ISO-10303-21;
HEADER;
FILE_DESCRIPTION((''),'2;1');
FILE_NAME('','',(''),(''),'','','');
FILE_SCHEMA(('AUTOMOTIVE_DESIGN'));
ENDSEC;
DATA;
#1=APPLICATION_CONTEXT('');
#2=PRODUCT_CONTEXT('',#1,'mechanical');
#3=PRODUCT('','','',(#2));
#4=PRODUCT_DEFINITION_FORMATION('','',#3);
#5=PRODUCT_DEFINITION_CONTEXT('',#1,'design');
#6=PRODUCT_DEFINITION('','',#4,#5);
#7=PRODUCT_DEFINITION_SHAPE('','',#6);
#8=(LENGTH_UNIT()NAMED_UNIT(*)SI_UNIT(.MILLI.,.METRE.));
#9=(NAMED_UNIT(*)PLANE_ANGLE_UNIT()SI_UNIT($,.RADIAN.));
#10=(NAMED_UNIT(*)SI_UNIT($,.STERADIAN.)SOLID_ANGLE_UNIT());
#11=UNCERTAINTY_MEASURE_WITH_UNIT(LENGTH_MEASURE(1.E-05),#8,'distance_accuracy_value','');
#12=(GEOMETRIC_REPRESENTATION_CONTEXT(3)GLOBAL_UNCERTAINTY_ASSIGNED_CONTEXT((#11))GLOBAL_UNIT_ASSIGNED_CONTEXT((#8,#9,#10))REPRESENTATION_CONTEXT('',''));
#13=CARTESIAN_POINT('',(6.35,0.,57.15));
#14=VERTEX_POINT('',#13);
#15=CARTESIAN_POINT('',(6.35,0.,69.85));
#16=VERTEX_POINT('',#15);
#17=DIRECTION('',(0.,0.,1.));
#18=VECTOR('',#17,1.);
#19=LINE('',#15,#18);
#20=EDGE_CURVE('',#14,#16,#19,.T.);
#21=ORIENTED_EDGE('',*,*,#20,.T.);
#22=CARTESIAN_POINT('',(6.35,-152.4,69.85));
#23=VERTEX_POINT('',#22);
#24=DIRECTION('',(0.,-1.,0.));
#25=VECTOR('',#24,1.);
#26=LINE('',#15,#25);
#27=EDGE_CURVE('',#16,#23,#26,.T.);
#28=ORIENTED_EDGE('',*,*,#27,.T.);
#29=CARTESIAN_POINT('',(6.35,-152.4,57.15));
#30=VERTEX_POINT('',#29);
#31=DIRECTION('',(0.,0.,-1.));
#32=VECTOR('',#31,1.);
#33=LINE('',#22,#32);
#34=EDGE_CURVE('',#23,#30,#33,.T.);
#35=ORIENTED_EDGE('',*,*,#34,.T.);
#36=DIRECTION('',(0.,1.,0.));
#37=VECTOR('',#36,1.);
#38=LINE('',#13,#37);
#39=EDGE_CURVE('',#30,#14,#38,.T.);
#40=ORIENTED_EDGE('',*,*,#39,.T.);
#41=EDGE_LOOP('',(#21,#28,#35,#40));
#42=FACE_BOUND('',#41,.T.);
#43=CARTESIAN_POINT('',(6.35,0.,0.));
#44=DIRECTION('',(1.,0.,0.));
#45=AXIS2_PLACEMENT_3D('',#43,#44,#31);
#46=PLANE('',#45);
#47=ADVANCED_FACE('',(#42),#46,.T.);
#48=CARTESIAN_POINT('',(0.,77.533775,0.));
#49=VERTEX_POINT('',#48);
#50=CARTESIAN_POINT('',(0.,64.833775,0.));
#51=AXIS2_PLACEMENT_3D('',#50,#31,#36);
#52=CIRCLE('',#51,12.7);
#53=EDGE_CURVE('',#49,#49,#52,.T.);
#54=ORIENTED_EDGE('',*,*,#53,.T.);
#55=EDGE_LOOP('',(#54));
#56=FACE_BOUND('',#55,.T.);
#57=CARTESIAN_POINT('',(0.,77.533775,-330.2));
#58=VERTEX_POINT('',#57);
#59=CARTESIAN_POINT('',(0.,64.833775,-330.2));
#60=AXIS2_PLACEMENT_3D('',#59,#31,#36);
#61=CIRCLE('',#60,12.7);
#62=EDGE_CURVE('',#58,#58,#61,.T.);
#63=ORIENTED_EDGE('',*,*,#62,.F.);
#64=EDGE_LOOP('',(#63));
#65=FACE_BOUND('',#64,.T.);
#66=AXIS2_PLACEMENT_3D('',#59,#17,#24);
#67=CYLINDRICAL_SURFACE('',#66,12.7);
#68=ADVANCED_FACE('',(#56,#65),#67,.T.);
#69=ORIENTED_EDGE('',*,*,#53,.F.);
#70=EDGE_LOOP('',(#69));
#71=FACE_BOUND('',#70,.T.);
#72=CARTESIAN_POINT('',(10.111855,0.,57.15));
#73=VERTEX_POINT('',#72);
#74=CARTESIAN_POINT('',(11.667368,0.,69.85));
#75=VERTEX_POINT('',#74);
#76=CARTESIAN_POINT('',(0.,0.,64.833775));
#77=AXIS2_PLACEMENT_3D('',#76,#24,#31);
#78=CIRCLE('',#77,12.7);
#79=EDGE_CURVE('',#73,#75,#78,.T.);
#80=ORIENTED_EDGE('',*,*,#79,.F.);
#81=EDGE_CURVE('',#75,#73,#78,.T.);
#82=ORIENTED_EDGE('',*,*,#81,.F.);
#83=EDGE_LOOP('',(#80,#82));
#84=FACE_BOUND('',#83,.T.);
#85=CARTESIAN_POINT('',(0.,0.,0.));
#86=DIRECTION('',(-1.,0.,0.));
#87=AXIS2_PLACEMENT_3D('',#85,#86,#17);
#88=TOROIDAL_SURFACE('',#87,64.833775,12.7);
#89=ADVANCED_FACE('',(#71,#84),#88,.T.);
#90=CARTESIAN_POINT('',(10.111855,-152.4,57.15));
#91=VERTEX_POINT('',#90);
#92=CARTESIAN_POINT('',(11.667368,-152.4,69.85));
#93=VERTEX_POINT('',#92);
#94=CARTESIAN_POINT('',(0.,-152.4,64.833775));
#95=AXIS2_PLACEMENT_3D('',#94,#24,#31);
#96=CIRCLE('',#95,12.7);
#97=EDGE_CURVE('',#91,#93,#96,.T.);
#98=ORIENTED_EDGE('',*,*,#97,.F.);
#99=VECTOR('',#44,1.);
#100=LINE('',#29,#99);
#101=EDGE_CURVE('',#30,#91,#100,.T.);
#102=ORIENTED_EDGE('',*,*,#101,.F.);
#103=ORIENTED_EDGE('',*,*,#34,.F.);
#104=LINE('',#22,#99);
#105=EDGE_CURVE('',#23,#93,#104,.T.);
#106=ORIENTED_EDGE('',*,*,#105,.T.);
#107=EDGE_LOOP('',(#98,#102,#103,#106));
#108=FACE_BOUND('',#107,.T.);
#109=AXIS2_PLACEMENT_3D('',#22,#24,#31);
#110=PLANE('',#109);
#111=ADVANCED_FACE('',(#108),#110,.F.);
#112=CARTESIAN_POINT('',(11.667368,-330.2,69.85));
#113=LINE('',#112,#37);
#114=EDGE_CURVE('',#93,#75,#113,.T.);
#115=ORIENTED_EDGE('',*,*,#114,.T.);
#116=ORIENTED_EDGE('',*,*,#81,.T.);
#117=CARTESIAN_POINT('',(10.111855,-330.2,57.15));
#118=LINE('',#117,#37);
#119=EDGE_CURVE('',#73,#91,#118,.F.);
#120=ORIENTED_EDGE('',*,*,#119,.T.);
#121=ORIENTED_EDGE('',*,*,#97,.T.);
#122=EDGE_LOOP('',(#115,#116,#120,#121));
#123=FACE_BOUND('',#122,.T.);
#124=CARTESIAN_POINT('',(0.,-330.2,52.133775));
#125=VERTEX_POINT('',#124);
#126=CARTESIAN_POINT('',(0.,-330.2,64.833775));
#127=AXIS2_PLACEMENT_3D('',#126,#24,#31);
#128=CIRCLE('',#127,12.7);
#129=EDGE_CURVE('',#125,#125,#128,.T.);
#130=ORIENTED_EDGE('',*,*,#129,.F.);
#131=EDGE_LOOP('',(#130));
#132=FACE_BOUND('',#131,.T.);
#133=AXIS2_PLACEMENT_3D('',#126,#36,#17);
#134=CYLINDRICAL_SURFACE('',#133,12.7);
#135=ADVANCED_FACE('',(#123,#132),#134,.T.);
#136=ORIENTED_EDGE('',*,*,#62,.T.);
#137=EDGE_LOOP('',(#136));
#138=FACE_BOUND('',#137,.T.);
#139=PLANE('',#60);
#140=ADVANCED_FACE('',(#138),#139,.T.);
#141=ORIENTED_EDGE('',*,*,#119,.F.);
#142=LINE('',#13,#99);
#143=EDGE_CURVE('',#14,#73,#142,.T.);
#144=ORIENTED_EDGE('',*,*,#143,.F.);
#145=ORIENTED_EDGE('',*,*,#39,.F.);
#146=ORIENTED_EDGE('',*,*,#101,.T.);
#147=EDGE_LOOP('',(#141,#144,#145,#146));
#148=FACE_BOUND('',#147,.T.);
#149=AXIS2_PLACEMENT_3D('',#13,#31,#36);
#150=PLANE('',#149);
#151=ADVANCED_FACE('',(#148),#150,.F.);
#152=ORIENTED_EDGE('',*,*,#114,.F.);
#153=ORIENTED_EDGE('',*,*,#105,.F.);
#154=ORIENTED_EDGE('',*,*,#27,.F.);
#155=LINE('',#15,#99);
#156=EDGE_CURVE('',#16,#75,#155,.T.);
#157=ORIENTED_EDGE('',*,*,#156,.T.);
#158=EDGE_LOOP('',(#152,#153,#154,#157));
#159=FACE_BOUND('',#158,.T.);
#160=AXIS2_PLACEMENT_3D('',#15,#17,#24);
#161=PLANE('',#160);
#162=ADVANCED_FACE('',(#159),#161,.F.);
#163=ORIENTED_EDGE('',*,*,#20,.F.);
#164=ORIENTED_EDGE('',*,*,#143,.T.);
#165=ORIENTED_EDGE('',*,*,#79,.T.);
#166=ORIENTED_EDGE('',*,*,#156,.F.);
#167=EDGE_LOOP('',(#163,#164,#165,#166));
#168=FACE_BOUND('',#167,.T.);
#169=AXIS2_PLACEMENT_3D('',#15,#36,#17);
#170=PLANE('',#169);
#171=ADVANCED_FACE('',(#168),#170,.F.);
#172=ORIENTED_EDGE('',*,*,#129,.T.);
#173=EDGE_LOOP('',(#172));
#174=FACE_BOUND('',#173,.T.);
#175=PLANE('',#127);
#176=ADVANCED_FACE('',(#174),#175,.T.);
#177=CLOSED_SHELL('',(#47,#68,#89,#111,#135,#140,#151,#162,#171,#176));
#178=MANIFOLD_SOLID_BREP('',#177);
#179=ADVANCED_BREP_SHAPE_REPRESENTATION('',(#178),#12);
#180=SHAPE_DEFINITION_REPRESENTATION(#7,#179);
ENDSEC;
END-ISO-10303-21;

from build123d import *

# Parameters (mm, degrees)
SKETCH3_R           = 12.7
SKETCH4_R           = 12.7
BOSS_EXTRUDE3_DEPTH = 330.2
SKETCH5_R           = 12.7
BOSS_EXTRUDE4_DEPTH = 330.2
SKETCH7_W           = 12.7
SKETCH7_H           = 152.4
CUT_EXTRUDE2_DEPTH  = 6.35


with BuildPart() as part:
    # Sweep1: sweep along a path in Sketch2
    with BuildLine(Plane(origin=(0, 0, 0), x_dir=(0, 0, -1), z_dir=(1, 0, 0))) as sweep1_path:
        ThreePointArc((-64.833774642, 0), (-45.844401699, 45.844401699), (0, 64.833774642))
    # Sketch3 → Sweep1 (sweep)
    with BuildSketch(Plane(origin=(0, 0, 0), x_dir=(1, 0, 0), z_dir=(0, 1, 0))):
        with Locations((0, -64.833774642)):
            Circle(SKETCH3_R)
    sweep(path=sweep1_path.line)

    # Sketch4 → Boss-Extrude3 (add)
    with BuildSketch(Plane(origin=(0, 0, 0), x_dir=(-1, 0, 0), z_dir=(0, -1, 0))):
        with Locations(Location((0, -64.833774642, 0), (0, 0, 90))):
            Circle(SKETCH4_R)
    extrude(amount=BOSS_EXTRUDE3_DEPTH)

    # Sketch5 → Boss-Extrude4 (add)
    with BuildSketch(Plane(origin=(0, 0, 0), x_dir=(-1, 0, 0), z_dir=(0, 0, -1))):
        with Locations(Location((0, 64.833774642, 0), (0, 0, 90))):
            Circle(SKETCH5_R)
    extrude(amount=BOSS_EXTRUDE4_DEPTH)

    # Sketch7 → Cut-Extrude2 (cut)
    with BuildSketch(Plane(origin=(12.7, 0, 0), x_dir=(0, 0, -1), z_dir=(1, 0, 0))):
        with Locations((-63.5, -76.2)):
            Rectangle(SKETCH7_W, SKETCH7_H)
    extrude(amount=-CUT_EXTRUDE2_DEPTH, mode=Mode.SUBTRACT)


solid = part.part
